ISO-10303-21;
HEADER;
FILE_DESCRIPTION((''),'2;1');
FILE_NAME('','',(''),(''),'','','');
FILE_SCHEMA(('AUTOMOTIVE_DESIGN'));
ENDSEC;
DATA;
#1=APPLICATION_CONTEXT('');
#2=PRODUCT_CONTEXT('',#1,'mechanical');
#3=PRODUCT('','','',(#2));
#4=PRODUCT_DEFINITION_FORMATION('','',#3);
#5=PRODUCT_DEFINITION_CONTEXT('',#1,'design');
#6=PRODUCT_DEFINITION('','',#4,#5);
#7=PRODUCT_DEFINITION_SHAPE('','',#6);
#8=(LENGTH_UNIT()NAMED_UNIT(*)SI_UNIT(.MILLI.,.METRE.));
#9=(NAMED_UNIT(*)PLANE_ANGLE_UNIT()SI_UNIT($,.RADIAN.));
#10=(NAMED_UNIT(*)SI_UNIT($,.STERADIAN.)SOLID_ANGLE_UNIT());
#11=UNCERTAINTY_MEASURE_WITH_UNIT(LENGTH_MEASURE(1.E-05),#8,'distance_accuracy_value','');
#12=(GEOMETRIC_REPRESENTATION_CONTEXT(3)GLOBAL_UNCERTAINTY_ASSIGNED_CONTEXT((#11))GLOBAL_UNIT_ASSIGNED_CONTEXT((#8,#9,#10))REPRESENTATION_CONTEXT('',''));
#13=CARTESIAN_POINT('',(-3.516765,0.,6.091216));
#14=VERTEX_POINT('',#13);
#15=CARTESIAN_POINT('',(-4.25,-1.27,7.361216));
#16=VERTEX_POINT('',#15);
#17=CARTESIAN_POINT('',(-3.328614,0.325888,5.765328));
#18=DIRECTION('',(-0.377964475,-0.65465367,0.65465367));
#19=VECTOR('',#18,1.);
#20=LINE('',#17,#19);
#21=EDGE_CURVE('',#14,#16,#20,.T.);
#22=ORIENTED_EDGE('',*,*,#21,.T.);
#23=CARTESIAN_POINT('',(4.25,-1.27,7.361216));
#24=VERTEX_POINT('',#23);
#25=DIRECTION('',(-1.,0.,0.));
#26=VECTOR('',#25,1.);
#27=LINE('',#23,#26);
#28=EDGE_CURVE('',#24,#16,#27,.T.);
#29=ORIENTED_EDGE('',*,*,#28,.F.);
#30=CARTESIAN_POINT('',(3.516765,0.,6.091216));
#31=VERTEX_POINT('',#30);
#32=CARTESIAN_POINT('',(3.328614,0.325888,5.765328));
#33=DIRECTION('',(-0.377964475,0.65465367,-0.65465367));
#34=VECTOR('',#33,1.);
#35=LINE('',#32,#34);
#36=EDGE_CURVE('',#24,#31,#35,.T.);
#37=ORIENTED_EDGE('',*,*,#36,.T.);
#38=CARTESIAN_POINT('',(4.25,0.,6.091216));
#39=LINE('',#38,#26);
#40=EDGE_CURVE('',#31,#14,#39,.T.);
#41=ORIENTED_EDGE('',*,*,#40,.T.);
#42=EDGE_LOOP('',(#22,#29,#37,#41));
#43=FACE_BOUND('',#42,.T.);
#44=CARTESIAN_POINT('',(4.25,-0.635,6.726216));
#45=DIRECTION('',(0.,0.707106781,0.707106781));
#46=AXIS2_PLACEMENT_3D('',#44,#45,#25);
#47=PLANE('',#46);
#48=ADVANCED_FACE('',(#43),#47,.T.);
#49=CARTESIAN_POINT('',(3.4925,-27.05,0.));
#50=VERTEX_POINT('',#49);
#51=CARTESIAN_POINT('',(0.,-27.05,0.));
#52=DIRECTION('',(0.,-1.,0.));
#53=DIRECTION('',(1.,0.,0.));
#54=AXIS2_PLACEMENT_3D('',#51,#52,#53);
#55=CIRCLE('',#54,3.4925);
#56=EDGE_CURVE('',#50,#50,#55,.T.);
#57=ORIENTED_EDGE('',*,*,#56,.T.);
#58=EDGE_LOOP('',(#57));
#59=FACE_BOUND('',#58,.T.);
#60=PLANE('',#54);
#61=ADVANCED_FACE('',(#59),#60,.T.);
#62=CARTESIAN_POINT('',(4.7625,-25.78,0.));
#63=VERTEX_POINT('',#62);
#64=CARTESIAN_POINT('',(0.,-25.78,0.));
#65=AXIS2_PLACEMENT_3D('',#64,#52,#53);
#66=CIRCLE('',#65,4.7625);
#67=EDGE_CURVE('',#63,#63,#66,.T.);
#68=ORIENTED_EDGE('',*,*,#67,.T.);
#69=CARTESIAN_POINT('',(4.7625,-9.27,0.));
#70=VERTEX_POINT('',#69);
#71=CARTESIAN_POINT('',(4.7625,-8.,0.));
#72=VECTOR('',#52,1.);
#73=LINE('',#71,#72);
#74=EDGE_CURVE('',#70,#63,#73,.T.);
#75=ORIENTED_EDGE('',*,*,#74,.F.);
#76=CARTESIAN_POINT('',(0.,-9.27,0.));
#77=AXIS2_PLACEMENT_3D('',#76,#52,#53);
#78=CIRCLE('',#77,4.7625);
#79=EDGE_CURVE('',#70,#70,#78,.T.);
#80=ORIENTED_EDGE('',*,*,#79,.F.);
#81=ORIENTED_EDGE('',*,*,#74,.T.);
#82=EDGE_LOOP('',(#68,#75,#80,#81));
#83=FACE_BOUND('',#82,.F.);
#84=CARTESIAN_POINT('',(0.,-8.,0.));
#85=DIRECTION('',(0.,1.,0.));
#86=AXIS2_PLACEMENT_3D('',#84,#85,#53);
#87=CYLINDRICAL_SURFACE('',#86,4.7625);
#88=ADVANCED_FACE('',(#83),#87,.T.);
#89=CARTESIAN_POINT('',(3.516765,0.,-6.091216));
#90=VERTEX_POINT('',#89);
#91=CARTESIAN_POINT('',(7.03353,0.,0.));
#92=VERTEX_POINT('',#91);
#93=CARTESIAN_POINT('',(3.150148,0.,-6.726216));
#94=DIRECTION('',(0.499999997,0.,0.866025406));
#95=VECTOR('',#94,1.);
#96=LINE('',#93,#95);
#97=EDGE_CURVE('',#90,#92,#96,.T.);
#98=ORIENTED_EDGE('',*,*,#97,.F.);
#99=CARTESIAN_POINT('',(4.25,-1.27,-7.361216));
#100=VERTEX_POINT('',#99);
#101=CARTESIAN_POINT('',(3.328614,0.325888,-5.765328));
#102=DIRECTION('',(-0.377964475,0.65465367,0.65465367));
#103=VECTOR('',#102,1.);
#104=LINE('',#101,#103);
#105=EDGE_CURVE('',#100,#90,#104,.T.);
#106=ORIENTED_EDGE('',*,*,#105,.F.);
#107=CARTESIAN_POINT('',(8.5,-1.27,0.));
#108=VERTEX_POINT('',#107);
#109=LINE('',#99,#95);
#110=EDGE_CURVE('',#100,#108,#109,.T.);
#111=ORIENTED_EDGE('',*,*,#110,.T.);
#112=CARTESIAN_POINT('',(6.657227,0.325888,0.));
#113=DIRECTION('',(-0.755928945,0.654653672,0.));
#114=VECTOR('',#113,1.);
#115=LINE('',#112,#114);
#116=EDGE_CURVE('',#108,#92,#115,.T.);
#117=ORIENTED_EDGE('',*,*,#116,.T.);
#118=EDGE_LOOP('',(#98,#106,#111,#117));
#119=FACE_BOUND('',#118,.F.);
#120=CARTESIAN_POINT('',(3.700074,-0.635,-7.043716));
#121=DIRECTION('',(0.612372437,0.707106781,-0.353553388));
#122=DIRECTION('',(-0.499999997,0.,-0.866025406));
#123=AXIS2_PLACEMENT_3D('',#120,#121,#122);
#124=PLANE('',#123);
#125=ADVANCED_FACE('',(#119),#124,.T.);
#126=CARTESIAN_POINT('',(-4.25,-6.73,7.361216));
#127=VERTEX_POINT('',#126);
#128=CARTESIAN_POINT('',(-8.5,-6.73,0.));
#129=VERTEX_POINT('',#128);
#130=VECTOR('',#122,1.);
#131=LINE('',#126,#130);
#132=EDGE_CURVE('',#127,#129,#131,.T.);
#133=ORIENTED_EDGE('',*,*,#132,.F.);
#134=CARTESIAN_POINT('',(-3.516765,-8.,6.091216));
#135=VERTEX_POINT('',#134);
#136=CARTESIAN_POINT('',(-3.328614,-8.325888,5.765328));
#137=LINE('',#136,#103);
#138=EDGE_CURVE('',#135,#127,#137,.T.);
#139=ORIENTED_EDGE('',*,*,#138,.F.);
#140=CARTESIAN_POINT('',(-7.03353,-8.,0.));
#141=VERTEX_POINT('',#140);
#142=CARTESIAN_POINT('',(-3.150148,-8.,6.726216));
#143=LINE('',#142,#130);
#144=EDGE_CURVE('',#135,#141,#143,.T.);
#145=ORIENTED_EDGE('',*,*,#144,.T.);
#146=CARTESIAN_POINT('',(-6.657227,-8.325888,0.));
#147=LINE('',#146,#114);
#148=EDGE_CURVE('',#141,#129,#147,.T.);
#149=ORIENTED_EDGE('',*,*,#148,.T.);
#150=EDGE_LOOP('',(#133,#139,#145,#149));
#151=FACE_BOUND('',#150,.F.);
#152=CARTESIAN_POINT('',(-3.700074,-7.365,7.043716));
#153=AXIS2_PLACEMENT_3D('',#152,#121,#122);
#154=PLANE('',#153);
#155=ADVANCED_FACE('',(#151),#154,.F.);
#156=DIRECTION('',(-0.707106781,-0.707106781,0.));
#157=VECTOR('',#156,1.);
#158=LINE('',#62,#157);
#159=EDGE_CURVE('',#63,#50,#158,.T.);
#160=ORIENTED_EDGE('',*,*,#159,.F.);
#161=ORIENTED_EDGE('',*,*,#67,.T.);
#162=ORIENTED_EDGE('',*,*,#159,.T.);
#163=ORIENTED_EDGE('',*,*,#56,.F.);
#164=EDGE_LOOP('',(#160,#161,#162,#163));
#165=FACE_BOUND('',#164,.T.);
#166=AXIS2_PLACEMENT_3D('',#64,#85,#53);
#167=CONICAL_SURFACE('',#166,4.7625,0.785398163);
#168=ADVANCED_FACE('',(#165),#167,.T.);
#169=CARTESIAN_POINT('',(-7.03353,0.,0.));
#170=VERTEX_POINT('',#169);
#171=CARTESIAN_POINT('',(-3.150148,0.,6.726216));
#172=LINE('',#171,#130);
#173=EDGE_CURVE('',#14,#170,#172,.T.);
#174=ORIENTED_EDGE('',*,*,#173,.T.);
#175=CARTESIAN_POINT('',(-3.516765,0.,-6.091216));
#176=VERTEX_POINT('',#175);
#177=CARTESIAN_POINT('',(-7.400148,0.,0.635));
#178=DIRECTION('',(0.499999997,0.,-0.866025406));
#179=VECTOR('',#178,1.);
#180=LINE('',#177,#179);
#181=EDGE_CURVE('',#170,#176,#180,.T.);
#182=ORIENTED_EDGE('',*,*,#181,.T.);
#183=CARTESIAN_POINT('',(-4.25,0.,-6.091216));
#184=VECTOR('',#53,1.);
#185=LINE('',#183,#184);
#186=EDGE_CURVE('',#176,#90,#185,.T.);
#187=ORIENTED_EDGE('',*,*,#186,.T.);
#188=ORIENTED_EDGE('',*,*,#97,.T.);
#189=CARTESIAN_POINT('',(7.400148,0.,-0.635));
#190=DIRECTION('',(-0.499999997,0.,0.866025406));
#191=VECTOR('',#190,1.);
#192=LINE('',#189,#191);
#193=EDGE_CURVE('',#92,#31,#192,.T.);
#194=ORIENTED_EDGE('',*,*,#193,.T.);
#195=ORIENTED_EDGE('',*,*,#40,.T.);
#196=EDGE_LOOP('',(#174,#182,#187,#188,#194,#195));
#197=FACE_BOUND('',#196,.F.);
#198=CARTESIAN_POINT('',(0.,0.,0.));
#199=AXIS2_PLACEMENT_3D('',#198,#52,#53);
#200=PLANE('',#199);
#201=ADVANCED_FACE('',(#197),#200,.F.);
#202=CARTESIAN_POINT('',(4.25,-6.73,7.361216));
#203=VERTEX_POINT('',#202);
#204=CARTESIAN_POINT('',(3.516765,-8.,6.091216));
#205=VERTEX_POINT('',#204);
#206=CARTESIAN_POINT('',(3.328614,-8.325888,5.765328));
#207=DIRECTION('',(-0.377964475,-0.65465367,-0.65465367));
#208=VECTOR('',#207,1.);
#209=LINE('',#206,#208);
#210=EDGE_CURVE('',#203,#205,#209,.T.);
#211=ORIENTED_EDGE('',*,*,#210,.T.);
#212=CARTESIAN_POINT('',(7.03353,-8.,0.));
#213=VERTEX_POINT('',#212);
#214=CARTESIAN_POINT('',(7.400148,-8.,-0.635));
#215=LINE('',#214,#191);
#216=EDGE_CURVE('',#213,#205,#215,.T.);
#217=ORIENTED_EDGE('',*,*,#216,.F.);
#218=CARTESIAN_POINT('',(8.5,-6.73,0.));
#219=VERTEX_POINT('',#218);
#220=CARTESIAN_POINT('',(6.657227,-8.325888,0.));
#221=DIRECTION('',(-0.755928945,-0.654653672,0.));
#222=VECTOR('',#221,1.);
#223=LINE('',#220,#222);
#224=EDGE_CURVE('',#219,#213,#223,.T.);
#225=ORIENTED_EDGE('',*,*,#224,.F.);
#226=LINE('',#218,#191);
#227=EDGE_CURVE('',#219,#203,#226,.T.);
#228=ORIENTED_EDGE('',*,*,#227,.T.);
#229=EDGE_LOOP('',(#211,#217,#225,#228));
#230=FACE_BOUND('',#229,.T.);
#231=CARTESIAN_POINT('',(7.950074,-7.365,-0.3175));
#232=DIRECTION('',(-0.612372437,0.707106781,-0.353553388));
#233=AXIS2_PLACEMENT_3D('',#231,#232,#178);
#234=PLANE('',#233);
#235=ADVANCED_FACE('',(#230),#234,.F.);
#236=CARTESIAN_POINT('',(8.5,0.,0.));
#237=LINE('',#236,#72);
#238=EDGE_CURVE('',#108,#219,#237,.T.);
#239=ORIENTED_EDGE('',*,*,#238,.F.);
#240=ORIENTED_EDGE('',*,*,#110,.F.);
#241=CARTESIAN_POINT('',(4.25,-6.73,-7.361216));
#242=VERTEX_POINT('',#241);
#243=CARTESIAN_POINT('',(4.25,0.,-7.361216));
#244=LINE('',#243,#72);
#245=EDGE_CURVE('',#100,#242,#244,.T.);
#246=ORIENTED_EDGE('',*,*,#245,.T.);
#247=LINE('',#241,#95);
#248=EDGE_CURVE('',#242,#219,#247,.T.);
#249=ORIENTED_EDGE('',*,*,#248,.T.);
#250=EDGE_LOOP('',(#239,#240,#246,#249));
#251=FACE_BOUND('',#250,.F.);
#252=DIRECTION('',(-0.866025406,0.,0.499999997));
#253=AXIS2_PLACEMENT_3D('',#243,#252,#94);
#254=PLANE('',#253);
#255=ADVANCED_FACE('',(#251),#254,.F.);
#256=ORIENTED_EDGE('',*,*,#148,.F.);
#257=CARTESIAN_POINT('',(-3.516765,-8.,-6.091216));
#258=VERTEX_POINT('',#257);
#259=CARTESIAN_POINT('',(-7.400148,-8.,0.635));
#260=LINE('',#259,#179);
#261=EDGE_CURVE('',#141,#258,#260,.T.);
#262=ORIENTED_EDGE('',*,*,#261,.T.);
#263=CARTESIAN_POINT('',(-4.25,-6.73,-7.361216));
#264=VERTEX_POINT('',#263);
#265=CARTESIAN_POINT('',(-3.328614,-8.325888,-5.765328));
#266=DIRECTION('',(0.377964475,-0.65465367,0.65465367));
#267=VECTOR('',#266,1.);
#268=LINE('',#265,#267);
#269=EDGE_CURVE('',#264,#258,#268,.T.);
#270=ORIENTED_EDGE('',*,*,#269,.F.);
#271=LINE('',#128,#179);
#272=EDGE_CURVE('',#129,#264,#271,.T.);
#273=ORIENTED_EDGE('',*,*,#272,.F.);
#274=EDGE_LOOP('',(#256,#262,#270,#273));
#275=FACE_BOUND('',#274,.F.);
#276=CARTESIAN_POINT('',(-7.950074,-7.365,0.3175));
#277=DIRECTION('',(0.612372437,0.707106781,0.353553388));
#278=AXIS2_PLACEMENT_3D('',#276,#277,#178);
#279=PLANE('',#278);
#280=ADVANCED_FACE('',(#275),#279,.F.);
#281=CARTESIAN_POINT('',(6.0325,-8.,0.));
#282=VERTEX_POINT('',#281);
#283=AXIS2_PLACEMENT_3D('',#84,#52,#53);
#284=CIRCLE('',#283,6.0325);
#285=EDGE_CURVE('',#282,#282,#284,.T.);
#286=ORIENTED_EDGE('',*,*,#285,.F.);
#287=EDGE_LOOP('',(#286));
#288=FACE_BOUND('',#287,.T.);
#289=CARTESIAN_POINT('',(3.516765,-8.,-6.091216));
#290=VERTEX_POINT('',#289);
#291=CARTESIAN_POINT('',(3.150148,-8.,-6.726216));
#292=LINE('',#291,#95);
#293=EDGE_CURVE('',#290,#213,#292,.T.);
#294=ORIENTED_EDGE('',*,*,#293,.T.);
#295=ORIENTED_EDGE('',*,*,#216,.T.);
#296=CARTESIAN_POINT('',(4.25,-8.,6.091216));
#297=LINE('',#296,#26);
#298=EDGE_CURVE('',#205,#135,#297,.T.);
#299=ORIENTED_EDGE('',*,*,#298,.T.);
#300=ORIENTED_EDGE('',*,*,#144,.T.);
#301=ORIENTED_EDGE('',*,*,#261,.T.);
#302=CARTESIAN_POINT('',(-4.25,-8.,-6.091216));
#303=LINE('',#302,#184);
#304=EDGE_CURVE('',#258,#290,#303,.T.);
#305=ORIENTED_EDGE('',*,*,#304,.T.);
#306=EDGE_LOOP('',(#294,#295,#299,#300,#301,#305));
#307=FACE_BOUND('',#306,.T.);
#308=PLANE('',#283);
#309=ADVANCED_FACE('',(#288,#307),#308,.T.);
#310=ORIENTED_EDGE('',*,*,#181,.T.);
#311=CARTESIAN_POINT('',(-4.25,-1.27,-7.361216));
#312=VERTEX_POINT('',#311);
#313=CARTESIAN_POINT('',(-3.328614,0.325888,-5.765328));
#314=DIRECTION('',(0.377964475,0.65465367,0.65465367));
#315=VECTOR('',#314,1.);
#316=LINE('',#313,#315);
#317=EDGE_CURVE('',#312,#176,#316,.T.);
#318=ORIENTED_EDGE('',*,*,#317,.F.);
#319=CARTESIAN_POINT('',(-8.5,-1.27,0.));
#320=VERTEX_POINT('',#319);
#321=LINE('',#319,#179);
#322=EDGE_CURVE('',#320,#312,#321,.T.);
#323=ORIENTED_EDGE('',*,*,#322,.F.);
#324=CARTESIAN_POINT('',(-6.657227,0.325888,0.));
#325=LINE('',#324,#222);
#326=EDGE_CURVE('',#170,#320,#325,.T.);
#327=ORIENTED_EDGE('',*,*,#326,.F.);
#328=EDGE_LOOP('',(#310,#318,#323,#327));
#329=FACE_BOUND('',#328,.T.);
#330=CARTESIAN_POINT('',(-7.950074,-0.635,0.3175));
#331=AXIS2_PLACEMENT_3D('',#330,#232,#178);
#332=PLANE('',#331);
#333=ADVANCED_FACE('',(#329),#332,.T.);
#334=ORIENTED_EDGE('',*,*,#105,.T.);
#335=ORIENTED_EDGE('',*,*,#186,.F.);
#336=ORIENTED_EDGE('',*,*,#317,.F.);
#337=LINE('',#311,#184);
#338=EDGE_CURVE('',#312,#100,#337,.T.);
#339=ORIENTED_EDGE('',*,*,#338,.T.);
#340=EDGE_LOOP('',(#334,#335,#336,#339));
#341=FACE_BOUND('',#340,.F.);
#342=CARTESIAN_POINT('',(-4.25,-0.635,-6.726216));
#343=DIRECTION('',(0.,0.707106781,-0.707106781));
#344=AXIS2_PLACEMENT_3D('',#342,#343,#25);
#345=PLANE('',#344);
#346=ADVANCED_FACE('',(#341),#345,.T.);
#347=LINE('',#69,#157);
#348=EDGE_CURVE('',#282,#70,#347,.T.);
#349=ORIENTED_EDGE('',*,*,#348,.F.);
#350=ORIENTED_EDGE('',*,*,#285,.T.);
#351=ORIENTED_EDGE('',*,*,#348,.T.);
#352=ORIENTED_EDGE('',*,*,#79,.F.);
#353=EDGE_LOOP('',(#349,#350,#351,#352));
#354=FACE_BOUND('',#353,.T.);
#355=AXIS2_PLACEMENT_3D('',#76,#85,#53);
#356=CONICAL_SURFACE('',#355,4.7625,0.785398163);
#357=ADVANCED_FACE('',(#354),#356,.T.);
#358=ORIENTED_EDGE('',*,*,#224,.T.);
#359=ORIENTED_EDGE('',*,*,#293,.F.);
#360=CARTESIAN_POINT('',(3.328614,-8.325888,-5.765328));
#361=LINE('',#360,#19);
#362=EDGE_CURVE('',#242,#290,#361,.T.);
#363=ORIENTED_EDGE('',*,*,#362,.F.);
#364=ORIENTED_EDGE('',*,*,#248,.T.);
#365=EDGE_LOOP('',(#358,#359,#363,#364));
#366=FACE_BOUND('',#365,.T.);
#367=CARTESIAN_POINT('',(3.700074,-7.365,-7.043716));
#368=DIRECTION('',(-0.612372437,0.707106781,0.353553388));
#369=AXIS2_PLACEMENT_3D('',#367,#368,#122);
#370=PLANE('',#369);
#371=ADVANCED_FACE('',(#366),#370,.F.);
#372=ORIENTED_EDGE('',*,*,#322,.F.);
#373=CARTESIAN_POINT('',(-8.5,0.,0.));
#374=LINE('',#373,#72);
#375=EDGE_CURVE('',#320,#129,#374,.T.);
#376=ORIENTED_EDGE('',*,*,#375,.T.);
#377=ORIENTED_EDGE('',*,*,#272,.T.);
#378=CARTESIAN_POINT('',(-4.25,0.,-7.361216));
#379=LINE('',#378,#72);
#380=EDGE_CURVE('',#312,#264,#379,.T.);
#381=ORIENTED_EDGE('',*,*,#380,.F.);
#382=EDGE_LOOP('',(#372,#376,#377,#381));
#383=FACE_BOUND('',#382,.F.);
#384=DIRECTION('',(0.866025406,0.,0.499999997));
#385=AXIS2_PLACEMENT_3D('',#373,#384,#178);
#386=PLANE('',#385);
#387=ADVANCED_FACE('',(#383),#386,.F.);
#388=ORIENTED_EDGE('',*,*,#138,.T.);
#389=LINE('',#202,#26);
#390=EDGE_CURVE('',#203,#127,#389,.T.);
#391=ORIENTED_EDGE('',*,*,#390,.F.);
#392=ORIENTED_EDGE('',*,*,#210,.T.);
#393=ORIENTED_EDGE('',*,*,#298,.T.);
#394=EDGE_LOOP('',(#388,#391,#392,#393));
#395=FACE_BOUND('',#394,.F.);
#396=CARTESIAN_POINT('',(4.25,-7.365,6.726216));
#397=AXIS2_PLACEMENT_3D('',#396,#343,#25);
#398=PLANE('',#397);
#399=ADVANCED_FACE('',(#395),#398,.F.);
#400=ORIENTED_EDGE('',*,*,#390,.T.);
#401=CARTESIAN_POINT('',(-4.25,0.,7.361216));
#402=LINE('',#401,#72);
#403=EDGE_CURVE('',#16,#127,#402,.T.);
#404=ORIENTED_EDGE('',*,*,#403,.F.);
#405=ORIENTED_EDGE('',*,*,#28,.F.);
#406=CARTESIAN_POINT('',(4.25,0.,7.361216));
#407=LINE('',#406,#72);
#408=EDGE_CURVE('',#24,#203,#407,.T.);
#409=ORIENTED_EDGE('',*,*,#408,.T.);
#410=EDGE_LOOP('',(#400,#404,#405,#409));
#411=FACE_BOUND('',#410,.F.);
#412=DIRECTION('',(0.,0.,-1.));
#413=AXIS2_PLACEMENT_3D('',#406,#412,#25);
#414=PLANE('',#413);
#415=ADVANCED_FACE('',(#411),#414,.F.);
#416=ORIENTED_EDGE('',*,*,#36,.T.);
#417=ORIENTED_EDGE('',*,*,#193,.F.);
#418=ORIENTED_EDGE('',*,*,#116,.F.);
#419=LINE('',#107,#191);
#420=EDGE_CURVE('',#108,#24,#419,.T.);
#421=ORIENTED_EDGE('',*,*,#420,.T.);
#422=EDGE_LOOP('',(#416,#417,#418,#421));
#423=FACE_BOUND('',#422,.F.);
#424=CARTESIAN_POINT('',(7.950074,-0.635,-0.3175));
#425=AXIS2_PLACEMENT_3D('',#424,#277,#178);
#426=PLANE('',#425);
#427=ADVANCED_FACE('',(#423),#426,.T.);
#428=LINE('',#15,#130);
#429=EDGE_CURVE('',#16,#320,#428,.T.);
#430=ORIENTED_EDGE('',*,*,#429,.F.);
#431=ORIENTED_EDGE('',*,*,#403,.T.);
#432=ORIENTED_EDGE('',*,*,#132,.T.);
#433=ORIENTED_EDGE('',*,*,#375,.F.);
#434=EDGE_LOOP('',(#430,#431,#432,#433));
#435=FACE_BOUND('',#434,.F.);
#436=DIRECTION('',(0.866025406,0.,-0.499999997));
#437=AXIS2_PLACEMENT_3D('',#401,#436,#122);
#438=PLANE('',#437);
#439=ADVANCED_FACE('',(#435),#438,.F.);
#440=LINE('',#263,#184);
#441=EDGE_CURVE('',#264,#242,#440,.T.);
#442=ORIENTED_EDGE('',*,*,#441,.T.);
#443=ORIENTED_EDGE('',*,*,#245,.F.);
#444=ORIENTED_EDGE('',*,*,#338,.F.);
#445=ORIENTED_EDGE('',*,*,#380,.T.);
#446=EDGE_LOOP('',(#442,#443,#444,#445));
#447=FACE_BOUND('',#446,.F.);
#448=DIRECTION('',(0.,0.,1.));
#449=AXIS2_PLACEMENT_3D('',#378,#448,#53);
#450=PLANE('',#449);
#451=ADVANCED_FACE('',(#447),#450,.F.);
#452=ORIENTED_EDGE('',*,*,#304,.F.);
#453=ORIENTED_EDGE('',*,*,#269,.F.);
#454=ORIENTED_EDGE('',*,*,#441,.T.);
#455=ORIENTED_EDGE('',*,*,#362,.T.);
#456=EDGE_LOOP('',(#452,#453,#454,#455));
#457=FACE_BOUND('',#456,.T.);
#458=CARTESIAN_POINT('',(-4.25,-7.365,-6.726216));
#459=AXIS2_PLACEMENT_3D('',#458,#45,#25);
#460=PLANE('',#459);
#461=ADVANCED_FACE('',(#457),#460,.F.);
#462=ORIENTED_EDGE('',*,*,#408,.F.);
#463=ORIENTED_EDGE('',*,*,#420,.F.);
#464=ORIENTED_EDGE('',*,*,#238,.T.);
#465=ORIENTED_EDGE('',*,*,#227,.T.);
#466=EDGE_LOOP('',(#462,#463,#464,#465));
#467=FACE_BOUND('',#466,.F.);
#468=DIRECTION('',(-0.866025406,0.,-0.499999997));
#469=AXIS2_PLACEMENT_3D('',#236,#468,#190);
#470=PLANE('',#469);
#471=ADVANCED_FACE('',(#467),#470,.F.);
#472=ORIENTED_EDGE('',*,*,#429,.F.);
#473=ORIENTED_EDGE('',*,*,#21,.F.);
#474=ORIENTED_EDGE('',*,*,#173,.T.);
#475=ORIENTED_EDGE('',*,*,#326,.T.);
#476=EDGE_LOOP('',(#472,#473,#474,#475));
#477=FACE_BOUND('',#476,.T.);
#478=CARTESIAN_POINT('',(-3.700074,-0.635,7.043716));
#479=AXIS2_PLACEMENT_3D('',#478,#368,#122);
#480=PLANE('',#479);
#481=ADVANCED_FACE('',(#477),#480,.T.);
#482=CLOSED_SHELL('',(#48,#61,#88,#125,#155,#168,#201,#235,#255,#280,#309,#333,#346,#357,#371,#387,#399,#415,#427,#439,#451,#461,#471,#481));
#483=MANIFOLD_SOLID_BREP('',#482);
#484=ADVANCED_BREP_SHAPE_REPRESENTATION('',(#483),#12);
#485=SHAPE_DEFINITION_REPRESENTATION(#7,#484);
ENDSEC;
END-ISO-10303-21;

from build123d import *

# Parameters (mm, degrees)
F1_DEPTH = 8
F2_R     = 4.7625
F3_DEPTH = 19.05
F4_SIZE  = 1.27


with BuildPart() as f1:
    # F0 (on Front) → F1 (new body)
    with BuildSketch(Plane.XZ):
        Polygon((4.25, -7.361216), (8.5, 0), (4.25, 7.361216), (-4.25, 7.361216), (-8.5, 0), (-4.25, -7.361216), align=None)
    extrude(amount=F1_DEPTH)

    # F2 (on face) → F3 (join)
    with BuildSketch(Plane.XZ.offset(8)):
        Circle(F2_R)
    extrude(amount=F3_DEPTH)

    # F4
    f4_edges = [f1.edges().sort_by_distance(p)[0] for p in [
        (-4.7625, -27.05, 0),
        (6.375, 0, 3.680608),
        (0, 0, -7.361216),
        (6.375, 0, -3.680608),
        (-6.375, 0, -3.680608),
        (-6.375, 0, 3.680608),
        (0, 0, 7.361216),
        (6.375, -8, 3.680608),
        (6.375, -8, -3.680608),
        (4.7625, -17.525, 0),
        (-4.7625, -8, 0),
        (0, -8, 7.361216),
        (-6.375, -8, 3.680608),
        (0, -8, -7.361216),
        (-6.375, -8, -3.680608),
    ]]
    chamfer(f4_edges, length=F4_SIZE)


solid = f1.part
